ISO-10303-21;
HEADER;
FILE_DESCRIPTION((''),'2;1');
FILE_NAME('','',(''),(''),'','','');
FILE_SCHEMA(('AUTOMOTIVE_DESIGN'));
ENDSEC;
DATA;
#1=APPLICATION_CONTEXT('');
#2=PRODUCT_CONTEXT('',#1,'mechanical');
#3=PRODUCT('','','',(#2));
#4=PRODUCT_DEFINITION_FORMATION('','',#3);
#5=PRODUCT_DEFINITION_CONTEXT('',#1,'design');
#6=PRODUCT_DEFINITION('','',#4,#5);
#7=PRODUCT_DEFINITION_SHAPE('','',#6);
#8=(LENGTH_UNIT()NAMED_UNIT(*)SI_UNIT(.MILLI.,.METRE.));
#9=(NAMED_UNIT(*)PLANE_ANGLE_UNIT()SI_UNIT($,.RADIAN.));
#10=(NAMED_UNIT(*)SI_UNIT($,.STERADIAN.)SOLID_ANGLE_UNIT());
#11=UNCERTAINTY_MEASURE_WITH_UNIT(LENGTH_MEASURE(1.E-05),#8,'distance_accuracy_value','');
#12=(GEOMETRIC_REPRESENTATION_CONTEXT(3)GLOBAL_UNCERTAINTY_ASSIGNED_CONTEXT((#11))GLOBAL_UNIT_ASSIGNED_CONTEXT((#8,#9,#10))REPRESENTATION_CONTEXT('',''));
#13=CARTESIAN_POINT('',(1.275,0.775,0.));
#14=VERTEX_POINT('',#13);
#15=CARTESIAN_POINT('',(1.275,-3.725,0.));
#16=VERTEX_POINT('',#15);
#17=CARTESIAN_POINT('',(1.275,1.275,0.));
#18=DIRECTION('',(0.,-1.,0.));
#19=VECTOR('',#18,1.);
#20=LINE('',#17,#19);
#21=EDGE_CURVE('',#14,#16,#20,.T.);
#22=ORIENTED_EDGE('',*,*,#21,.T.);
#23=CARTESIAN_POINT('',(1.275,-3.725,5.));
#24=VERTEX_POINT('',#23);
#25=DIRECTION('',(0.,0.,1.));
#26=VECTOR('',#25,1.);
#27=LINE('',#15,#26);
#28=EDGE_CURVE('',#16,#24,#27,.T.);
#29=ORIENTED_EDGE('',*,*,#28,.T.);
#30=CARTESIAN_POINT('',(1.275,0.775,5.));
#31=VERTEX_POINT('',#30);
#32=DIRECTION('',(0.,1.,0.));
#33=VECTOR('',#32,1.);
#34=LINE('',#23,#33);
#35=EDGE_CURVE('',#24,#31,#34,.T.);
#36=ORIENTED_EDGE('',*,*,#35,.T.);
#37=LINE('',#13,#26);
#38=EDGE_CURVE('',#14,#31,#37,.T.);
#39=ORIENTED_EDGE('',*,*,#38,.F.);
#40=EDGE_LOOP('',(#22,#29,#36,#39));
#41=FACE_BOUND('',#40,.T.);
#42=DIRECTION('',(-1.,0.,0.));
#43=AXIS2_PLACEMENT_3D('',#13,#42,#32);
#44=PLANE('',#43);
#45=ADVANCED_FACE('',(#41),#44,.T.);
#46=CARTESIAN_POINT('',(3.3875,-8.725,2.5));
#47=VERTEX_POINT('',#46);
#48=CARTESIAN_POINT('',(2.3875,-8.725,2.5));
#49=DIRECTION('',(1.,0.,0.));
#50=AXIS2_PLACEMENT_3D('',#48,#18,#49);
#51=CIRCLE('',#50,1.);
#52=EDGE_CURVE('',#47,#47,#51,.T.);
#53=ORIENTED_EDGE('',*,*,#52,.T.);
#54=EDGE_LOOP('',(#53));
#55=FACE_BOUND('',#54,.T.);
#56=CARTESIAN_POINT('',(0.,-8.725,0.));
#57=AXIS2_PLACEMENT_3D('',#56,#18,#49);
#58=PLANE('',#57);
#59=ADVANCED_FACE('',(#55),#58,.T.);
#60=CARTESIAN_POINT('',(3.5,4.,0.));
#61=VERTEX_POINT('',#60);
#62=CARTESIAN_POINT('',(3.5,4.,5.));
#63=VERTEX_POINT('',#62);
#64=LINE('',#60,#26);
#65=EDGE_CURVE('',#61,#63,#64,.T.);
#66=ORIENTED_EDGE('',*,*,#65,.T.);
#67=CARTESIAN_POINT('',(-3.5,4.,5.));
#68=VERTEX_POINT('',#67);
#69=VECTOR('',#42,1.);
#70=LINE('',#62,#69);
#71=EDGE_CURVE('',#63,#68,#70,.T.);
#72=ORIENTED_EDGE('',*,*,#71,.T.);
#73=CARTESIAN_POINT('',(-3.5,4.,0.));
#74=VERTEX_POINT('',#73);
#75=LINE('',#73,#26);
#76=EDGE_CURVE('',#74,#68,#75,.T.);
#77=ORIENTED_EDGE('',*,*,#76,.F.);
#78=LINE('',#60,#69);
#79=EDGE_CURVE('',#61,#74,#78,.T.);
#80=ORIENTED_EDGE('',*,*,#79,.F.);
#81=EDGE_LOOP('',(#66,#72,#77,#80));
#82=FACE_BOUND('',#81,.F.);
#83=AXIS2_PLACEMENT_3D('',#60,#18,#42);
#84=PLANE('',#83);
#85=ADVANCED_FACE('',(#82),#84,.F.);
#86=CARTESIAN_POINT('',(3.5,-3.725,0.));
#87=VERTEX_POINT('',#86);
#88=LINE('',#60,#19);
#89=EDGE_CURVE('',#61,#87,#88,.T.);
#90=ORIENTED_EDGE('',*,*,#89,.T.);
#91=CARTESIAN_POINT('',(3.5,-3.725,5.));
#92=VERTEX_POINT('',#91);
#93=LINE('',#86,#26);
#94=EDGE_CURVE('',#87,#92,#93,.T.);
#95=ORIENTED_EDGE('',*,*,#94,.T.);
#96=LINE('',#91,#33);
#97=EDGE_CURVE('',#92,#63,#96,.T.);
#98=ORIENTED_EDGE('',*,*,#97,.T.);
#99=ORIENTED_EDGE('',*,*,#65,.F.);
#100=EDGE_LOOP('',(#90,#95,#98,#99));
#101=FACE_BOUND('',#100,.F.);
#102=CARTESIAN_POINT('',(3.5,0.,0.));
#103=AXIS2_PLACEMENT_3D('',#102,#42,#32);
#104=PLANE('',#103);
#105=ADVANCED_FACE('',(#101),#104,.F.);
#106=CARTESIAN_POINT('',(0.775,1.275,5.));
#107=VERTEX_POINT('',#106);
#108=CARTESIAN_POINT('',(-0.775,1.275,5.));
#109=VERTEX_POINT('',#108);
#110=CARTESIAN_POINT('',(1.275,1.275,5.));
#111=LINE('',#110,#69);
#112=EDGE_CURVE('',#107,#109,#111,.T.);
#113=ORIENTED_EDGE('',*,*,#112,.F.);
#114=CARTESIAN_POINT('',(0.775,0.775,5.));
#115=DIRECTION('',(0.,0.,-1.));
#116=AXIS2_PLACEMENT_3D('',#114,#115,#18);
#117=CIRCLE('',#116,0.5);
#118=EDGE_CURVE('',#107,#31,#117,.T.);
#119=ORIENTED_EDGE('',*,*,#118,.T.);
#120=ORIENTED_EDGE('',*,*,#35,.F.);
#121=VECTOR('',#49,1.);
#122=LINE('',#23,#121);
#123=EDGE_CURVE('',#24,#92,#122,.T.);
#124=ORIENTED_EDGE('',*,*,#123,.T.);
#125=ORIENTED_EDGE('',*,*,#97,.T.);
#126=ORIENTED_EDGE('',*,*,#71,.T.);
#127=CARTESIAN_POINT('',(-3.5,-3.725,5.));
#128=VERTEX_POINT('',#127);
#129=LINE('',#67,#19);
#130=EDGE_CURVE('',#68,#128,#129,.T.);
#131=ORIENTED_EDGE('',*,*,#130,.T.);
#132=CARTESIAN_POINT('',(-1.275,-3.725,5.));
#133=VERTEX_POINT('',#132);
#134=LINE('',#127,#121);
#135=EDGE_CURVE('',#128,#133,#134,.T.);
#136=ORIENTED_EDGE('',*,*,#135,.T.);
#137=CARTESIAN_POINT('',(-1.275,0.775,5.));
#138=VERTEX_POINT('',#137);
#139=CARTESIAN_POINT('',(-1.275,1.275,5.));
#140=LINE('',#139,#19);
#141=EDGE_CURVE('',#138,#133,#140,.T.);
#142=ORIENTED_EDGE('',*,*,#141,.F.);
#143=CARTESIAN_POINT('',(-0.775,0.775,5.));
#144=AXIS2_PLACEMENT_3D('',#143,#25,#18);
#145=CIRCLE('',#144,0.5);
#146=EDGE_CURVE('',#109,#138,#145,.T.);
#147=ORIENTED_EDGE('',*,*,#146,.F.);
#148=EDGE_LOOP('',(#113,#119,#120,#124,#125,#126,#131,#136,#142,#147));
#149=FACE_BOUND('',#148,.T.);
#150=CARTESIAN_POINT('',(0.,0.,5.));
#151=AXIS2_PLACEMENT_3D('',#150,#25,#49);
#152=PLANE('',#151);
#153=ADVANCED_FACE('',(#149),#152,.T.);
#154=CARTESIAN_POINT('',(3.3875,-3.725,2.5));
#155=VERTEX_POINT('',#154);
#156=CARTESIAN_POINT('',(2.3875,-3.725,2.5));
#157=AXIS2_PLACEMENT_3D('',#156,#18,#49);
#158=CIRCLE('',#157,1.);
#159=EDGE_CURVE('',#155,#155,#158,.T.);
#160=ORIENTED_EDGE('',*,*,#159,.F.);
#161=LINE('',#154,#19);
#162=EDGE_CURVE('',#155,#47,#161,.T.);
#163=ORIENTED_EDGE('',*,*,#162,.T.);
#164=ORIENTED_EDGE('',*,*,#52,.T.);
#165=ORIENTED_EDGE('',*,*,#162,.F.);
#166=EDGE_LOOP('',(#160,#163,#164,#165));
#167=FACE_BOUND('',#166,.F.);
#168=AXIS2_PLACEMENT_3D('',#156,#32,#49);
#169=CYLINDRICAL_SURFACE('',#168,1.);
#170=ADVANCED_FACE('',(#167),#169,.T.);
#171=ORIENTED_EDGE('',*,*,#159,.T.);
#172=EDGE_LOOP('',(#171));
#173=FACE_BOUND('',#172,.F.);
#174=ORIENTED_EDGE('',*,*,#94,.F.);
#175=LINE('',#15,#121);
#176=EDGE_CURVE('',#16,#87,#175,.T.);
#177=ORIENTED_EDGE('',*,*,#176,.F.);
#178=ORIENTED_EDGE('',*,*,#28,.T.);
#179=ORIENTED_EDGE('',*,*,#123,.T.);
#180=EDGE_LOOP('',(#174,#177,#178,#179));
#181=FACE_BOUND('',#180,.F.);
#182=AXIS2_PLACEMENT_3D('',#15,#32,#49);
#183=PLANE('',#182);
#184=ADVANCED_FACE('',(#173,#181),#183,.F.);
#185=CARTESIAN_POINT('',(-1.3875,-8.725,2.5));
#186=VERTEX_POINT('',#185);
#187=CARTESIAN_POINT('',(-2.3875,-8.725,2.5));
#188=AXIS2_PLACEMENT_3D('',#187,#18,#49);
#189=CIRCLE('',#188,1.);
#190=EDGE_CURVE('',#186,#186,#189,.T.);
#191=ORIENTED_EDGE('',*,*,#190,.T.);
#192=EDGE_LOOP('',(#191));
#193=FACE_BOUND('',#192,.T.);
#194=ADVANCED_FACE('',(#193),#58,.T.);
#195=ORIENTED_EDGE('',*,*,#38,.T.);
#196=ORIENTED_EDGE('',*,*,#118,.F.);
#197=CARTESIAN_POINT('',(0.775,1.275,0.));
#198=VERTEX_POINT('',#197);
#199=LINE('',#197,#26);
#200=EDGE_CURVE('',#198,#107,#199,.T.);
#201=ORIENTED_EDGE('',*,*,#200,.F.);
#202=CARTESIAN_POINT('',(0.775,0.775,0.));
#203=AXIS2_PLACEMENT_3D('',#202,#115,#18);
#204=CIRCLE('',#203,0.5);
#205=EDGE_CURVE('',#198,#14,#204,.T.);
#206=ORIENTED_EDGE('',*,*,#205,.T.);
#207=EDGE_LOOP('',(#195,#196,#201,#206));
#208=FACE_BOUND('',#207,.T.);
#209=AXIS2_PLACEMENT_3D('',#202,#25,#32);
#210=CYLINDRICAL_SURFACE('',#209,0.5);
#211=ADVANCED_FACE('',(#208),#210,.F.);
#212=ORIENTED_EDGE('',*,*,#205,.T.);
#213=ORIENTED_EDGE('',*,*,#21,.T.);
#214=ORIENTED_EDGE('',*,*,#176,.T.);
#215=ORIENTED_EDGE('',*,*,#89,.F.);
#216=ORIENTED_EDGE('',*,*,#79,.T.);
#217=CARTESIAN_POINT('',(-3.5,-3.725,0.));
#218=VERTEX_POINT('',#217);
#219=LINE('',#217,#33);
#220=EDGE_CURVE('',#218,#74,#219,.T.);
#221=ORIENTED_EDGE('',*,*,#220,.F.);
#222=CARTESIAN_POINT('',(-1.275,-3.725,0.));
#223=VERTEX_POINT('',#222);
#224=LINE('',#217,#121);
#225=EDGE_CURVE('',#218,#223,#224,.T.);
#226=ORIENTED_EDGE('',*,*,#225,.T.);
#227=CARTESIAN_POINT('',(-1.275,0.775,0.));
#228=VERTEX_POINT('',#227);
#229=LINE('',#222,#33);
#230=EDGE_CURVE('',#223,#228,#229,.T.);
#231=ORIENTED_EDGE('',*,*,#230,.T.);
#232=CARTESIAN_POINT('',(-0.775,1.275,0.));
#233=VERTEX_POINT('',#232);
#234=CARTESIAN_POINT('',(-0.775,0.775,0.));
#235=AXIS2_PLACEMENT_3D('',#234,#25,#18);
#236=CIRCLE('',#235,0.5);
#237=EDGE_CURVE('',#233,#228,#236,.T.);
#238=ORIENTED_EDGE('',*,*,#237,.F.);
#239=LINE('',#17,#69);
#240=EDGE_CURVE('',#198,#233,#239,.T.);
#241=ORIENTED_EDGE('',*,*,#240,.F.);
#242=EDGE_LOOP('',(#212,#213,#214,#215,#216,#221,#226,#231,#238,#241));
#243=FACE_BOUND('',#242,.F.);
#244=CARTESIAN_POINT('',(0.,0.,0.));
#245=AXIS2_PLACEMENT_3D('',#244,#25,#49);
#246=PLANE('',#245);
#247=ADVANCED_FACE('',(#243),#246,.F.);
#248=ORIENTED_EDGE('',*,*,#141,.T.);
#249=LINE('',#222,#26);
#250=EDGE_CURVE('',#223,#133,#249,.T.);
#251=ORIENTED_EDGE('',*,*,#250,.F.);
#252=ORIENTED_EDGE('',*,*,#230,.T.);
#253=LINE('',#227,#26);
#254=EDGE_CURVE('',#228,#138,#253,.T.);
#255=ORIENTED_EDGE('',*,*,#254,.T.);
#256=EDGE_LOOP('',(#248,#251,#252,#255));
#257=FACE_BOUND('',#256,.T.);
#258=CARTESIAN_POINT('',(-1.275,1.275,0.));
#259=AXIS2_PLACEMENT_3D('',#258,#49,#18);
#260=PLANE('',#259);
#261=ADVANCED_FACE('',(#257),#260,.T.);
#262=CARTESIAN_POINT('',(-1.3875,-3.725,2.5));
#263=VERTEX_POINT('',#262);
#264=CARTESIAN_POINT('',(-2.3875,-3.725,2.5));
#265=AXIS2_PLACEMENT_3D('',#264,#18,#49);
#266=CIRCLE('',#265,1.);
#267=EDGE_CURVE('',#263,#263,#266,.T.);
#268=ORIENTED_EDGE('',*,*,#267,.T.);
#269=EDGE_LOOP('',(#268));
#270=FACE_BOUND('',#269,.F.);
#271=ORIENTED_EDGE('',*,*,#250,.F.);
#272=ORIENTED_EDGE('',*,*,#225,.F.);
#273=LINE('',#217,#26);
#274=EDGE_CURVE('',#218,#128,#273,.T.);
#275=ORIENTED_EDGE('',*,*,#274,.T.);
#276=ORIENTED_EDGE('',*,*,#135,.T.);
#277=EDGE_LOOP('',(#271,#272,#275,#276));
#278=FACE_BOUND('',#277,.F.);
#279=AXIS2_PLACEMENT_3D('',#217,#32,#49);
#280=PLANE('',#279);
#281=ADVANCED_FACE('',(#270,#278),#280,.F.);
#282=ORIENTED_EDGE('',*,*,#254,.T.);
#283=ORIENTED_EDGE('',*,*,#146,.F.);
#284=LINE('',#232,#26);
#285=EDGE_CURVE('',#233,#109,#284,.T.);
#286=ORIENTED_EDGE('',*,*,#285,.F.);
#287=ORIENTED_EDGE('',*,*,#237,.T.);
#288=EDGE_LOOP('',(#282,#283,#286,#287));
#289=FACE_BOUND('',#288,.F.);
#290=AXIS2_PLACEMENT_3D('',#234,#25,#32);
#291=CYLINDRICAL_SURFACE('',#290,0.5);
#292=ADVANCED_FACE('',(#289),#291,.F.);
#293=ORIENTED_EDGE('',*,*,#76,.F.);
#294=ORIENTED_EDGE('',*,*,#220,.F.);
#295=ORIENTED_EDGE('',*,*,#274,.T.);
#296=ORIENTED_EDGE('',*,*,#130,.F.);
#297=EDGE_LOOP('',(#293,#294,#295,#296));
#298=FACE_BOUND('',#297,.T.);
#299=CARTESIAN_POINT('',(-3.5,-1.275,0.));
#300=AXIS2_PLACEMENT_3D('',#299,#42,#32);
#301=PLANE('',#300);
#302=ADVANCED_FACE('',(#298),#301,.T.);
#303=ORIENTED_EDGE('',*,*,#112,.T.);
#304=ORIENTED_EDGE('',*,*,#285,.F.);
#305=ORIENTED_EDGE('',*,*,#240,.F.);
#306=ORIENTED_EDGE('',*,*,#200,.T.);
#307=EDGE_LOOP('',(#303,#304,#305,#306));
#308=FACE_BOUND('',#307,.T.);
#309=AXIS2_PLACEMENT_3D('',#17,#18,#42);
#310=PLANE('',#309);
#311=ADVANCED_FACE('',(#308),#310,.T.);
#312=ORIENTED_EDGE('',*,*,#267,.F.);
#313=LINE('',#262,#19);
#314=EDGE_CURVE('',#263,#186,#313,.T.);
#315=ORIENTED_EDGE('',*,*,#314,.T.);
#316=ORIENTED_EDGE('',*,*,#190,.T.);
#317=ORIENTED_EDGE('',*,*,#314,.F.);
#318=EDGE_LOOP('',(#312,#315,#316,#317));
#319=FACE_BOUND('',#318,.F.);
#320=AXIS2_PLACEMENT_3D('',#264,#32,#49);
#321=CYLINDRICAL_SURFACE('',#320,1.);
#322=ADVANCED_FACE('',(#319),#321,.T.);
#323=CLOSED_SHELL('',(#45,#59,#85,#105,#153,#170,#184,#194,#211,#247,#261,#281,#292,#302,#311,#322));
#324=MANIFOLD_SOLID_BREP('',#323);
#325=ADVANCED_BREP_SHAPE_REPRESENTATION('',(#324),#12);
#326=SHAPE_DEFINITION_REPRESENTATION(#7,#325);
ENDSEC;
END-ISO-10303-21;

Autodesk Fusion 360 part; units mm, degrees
sketch "baza" plane through (0, 0, 0) normal (0, 0, 1) x (1, 0, 0)
  line L0 (1.275, 1.275) -> (-1.275, 1.275)
  line L1 (-1.275, 1.275) -> (-1.275, -1.275)
  line L2 (-1.275, -1.275) -> (1.275, -1.275)
  line L3 (1.275, -1.275) -> (1.275, 1.275)
  line L4 (1.275, 1.275) -> (-1.275, -1.275) construction
  line L5 (-1.275, 1.275) -> (1.275, -1.275) construction
  line L6 (3.5, 0) -> (3.5, -1.275)
  line L7 (-3.5, -1.275) -> (-3.5, 0)
  line L8 (-1.275, -1.275) -> (-3.5, -1.275)
  line L9 (1.275, -1.275) -> (3.5, -1.275)
  line L10 (3.5, 0) -> (3.5, 4)
  line L11 (3.5, 4) -> (-3.5, 4)
  line L12 (-3.5, 4) -> (-3.5, 0)
  line L13 (-1.275, -1.275) -> (-1.275, -3.725)
  line L14 (1.275, -1.275) -> (1.275, -3.725)
  line L15 (1.275, -3.725) -> (3.5, -3.725)
  line L16 (3.5, -3.725) -> (3.5, -1.275)
  line L17 (-3.5, -1.275) -> (-3.5, -3.725)
  line L18 (-3.5, -3.725) -> (-1.275, -3.725)
  line L19 (-1.275, 0.775) -> (1.275, 0.775)
  dimension "d1" = 2.55
  dimension "d4" = 7
  dimension "d11" = 7
  dimension "d12" = 4
  dimension "d16" = 1.275
  dimension "d17" = 2.45
  dimension "d18" = 0.5
extrude "Extrude1" add sketch "baza" along normal blind 5 contours L0 L1 L3 L6 L7 L8 L9 L10 L11 L12 | L9 L14 L15 L16 | L8 L13 L17 L18
sketch "dinti" plane through (0, -3.725, 0) normal (0, -1, 0) x (1, 0, 0)
  line L0 (-3.5, 0) -> (-1.275, 0)
  line L1 (-1.275, 0) -> (-1.275, 5)
  line L2 (-1.275, 5) -> (-3.5, 5)
  line L3 (-3.5, 5) -> (-3.5, 0)
  line L4 (-2.3875, 5) -> (-2.3875, 0) construction
  circle A0 centre (-2.3875, 2.5) radius 1
  line L5 (-1.275, 0) -> (1.275, 0) construction
  line L6 (1.275, 0) -> (1.275, 5) construction
  line L7 (1.275, 5) -> (-1.275, 5) construction
  line L8 (-1.275, 5) -> (-1.275, 0) construction
  line L9 (0, 5) -> (0, 0) construction
  circle A1 centre (2.3875, 2.5) radius 1
  line L10 (-3.5, 0) -> (-1.275, 0)
  line L11 (-1.275, 0) -> (-1.275, 5)
  line L12 (-1.275, 5) -> (-3.5, 5)
  line L13 (-3.5, 5) -> (-3.5, 0)
  dimension "d8" = 2
extrude "Extrude2" add sketch "dinti" along normal blind 5 contours A0 | A1
fillet "Fillet1" radius 0.5 2 edges at (1.275, 1.275, 2.5) (-1.275, 1.275, 2.5)
equation "d17 = 3.725 mm - 1.275 mm"
